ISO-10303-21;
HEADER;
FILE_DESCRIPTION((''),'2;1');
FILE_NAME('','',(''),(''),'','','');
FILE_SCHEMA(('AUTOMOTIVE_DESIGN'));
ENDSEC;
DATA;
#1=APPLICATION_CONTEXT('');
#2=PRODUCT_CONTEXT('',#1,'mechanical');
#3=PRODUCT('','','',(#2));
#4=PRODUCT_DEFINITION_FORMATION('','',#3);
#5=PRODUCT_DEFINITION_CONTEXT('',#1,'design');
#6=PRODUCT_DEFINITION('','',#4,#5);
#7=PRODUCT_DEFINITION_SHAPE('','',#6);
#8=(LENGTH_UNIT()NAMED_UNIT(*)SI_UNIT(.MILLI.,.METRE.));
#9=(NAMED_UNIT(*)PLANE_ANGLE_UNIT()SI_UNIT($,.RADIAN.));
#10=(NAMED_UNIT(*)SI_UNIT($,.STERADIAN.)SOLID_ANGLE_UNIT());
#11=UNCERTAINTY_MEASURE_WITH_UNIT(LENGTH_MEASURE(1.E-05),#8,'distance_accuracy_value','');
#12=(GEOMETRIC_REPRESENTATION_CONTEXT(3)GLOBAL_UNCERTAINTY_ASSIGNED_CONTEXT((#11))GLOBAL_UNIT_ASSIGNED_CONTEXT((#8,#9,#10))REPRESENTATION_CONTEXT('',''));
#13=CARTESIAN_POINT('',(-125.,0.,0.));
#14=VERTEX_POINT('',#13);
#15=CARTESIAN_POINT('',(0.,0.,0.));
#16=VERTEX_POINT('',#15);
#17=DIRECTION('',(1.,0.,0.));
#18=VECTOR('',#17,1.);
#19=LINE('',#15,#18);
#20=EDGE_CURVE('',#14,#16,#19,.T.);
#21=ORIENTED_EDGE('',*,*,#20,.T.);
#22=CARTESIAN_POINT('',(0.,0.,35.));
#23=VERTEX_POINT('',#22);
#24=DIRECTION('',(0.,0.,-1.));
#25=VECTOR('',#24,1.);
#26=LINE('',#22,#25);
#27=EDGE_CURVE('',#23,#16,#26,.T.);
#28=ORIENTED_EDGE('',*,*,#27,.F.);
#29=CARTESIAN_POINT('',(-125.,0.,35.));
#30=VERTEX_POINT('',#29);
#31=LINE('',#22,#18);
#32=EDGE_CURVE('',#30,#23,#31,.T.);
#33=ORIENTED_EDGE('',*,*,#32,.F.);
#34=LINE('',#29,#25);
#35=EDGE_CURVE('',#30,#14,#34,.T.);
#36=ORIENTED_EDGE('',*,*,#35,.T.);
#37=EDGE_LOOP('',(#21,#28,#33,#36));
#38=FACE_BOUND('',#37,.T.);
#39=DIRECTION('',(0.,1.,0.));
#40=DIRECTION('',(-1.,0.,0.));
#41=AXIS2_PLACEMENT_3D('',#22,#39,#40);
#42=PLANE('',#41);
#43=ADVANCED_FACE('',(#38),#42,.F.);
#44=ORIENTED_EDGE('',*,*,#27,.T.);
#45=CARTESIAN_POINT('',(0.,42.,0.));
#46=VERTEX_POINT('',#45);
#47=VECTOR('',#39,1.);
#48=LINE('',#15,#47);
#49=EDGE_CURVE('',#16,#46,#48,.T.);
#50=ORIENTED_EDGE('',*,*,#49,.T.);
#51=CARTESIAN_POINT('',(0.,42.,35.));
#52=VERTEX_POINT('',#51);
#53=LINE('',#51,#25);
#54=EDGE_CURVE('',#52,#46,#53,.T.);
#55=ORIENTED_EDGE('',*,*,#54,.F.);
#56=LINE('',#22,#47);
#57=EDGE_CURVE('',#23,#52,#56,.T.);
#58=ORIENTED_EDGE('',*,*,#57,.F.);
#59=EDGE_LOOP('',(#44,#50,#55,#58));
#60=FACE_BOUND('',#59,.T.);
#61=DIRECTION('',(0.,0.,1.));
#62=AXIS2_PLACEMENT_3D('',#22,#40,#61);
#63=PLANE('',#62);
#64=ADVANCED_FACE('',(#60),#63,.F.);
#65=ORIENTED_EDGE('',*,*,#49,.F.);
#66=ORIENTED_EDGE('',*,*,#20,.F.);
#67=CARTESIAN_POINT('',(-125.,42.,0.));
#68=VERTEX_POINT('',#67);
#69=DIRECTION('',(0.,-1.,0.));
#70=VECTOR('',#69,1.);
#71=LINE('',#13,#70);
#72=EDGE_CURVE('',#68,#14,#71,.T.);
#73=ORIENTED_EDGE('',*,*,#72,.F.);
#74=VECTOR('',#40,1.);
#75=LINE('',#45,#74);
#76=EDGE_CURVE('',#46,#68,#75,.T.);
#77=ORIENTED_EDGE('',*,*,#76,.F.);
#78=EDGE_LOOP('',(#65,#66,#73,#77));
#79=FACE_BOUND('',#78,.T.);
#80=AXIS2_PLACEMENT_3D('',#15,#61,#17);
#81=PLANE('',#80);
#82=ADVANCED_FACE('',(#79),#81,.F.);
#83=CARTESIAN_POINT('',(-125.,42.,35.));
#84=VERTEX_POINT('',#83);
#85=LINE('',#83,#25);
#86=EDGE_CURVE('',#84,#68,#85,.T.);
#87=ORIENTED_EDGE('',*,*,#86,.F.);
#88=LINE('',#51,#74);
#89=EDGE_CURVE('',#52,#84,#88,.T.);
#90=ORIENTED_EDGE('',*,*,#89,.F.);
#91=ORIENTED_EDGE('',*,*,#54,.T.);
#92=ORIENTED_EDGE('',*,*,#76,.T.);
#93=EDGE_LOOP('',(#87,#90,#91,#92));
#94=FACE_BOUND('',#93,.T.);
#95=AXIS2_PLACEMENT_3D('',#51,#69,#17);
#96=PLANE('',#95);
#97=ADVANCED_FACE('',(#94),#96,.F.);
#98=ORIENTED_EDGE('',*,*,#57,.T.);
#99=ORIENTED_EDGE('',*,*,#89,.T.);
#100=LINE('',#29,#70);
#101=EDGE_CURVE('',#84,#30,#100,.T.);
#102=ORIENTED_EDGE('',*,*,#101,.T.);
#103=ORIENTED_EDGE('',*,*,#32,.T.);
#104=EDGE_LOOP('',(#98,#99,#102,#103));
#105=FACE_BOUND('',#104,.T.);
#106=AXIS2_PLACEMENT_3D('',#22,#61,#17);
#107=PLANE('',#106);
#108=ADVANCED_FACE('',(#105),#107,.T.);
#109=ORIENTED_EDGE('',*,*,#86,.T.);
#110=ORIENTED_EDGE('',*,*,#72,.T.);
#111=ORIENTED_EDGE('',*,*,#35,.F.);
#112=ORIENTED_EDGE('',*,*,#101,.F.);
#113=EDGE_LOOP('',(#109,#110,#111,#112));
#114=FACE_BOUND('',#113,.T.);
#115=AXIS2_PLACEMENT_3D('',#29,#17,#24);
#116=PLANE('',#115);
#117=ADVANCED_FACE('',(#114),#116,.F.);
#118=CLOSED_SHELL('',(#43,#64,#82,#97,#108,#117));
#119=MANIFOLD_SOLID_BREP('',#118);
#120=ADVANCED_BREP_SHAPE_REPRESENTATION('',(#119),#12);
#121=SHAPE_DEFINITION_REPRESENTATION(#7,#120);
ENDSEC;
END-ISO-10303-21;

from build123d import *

# Parameters (mm, degrees)
ESQUISSE1_W        = 125
ESQUISSE1_H        = 42
BOSS_EXTRU_1_DEPTH = 35


with BuildPart() as part:
    # Esquisse1 → Boss.-Extru.1 (new body)
    with BuildSketch(Plane.XY):
        with Locations((-62.5, 21)):
            Rectangle(ESQUISSE1_W, ESQUISSE1_H)
    extrude(amount=BOSS_EXTRU_1_DEPTH)


solid = part.part
